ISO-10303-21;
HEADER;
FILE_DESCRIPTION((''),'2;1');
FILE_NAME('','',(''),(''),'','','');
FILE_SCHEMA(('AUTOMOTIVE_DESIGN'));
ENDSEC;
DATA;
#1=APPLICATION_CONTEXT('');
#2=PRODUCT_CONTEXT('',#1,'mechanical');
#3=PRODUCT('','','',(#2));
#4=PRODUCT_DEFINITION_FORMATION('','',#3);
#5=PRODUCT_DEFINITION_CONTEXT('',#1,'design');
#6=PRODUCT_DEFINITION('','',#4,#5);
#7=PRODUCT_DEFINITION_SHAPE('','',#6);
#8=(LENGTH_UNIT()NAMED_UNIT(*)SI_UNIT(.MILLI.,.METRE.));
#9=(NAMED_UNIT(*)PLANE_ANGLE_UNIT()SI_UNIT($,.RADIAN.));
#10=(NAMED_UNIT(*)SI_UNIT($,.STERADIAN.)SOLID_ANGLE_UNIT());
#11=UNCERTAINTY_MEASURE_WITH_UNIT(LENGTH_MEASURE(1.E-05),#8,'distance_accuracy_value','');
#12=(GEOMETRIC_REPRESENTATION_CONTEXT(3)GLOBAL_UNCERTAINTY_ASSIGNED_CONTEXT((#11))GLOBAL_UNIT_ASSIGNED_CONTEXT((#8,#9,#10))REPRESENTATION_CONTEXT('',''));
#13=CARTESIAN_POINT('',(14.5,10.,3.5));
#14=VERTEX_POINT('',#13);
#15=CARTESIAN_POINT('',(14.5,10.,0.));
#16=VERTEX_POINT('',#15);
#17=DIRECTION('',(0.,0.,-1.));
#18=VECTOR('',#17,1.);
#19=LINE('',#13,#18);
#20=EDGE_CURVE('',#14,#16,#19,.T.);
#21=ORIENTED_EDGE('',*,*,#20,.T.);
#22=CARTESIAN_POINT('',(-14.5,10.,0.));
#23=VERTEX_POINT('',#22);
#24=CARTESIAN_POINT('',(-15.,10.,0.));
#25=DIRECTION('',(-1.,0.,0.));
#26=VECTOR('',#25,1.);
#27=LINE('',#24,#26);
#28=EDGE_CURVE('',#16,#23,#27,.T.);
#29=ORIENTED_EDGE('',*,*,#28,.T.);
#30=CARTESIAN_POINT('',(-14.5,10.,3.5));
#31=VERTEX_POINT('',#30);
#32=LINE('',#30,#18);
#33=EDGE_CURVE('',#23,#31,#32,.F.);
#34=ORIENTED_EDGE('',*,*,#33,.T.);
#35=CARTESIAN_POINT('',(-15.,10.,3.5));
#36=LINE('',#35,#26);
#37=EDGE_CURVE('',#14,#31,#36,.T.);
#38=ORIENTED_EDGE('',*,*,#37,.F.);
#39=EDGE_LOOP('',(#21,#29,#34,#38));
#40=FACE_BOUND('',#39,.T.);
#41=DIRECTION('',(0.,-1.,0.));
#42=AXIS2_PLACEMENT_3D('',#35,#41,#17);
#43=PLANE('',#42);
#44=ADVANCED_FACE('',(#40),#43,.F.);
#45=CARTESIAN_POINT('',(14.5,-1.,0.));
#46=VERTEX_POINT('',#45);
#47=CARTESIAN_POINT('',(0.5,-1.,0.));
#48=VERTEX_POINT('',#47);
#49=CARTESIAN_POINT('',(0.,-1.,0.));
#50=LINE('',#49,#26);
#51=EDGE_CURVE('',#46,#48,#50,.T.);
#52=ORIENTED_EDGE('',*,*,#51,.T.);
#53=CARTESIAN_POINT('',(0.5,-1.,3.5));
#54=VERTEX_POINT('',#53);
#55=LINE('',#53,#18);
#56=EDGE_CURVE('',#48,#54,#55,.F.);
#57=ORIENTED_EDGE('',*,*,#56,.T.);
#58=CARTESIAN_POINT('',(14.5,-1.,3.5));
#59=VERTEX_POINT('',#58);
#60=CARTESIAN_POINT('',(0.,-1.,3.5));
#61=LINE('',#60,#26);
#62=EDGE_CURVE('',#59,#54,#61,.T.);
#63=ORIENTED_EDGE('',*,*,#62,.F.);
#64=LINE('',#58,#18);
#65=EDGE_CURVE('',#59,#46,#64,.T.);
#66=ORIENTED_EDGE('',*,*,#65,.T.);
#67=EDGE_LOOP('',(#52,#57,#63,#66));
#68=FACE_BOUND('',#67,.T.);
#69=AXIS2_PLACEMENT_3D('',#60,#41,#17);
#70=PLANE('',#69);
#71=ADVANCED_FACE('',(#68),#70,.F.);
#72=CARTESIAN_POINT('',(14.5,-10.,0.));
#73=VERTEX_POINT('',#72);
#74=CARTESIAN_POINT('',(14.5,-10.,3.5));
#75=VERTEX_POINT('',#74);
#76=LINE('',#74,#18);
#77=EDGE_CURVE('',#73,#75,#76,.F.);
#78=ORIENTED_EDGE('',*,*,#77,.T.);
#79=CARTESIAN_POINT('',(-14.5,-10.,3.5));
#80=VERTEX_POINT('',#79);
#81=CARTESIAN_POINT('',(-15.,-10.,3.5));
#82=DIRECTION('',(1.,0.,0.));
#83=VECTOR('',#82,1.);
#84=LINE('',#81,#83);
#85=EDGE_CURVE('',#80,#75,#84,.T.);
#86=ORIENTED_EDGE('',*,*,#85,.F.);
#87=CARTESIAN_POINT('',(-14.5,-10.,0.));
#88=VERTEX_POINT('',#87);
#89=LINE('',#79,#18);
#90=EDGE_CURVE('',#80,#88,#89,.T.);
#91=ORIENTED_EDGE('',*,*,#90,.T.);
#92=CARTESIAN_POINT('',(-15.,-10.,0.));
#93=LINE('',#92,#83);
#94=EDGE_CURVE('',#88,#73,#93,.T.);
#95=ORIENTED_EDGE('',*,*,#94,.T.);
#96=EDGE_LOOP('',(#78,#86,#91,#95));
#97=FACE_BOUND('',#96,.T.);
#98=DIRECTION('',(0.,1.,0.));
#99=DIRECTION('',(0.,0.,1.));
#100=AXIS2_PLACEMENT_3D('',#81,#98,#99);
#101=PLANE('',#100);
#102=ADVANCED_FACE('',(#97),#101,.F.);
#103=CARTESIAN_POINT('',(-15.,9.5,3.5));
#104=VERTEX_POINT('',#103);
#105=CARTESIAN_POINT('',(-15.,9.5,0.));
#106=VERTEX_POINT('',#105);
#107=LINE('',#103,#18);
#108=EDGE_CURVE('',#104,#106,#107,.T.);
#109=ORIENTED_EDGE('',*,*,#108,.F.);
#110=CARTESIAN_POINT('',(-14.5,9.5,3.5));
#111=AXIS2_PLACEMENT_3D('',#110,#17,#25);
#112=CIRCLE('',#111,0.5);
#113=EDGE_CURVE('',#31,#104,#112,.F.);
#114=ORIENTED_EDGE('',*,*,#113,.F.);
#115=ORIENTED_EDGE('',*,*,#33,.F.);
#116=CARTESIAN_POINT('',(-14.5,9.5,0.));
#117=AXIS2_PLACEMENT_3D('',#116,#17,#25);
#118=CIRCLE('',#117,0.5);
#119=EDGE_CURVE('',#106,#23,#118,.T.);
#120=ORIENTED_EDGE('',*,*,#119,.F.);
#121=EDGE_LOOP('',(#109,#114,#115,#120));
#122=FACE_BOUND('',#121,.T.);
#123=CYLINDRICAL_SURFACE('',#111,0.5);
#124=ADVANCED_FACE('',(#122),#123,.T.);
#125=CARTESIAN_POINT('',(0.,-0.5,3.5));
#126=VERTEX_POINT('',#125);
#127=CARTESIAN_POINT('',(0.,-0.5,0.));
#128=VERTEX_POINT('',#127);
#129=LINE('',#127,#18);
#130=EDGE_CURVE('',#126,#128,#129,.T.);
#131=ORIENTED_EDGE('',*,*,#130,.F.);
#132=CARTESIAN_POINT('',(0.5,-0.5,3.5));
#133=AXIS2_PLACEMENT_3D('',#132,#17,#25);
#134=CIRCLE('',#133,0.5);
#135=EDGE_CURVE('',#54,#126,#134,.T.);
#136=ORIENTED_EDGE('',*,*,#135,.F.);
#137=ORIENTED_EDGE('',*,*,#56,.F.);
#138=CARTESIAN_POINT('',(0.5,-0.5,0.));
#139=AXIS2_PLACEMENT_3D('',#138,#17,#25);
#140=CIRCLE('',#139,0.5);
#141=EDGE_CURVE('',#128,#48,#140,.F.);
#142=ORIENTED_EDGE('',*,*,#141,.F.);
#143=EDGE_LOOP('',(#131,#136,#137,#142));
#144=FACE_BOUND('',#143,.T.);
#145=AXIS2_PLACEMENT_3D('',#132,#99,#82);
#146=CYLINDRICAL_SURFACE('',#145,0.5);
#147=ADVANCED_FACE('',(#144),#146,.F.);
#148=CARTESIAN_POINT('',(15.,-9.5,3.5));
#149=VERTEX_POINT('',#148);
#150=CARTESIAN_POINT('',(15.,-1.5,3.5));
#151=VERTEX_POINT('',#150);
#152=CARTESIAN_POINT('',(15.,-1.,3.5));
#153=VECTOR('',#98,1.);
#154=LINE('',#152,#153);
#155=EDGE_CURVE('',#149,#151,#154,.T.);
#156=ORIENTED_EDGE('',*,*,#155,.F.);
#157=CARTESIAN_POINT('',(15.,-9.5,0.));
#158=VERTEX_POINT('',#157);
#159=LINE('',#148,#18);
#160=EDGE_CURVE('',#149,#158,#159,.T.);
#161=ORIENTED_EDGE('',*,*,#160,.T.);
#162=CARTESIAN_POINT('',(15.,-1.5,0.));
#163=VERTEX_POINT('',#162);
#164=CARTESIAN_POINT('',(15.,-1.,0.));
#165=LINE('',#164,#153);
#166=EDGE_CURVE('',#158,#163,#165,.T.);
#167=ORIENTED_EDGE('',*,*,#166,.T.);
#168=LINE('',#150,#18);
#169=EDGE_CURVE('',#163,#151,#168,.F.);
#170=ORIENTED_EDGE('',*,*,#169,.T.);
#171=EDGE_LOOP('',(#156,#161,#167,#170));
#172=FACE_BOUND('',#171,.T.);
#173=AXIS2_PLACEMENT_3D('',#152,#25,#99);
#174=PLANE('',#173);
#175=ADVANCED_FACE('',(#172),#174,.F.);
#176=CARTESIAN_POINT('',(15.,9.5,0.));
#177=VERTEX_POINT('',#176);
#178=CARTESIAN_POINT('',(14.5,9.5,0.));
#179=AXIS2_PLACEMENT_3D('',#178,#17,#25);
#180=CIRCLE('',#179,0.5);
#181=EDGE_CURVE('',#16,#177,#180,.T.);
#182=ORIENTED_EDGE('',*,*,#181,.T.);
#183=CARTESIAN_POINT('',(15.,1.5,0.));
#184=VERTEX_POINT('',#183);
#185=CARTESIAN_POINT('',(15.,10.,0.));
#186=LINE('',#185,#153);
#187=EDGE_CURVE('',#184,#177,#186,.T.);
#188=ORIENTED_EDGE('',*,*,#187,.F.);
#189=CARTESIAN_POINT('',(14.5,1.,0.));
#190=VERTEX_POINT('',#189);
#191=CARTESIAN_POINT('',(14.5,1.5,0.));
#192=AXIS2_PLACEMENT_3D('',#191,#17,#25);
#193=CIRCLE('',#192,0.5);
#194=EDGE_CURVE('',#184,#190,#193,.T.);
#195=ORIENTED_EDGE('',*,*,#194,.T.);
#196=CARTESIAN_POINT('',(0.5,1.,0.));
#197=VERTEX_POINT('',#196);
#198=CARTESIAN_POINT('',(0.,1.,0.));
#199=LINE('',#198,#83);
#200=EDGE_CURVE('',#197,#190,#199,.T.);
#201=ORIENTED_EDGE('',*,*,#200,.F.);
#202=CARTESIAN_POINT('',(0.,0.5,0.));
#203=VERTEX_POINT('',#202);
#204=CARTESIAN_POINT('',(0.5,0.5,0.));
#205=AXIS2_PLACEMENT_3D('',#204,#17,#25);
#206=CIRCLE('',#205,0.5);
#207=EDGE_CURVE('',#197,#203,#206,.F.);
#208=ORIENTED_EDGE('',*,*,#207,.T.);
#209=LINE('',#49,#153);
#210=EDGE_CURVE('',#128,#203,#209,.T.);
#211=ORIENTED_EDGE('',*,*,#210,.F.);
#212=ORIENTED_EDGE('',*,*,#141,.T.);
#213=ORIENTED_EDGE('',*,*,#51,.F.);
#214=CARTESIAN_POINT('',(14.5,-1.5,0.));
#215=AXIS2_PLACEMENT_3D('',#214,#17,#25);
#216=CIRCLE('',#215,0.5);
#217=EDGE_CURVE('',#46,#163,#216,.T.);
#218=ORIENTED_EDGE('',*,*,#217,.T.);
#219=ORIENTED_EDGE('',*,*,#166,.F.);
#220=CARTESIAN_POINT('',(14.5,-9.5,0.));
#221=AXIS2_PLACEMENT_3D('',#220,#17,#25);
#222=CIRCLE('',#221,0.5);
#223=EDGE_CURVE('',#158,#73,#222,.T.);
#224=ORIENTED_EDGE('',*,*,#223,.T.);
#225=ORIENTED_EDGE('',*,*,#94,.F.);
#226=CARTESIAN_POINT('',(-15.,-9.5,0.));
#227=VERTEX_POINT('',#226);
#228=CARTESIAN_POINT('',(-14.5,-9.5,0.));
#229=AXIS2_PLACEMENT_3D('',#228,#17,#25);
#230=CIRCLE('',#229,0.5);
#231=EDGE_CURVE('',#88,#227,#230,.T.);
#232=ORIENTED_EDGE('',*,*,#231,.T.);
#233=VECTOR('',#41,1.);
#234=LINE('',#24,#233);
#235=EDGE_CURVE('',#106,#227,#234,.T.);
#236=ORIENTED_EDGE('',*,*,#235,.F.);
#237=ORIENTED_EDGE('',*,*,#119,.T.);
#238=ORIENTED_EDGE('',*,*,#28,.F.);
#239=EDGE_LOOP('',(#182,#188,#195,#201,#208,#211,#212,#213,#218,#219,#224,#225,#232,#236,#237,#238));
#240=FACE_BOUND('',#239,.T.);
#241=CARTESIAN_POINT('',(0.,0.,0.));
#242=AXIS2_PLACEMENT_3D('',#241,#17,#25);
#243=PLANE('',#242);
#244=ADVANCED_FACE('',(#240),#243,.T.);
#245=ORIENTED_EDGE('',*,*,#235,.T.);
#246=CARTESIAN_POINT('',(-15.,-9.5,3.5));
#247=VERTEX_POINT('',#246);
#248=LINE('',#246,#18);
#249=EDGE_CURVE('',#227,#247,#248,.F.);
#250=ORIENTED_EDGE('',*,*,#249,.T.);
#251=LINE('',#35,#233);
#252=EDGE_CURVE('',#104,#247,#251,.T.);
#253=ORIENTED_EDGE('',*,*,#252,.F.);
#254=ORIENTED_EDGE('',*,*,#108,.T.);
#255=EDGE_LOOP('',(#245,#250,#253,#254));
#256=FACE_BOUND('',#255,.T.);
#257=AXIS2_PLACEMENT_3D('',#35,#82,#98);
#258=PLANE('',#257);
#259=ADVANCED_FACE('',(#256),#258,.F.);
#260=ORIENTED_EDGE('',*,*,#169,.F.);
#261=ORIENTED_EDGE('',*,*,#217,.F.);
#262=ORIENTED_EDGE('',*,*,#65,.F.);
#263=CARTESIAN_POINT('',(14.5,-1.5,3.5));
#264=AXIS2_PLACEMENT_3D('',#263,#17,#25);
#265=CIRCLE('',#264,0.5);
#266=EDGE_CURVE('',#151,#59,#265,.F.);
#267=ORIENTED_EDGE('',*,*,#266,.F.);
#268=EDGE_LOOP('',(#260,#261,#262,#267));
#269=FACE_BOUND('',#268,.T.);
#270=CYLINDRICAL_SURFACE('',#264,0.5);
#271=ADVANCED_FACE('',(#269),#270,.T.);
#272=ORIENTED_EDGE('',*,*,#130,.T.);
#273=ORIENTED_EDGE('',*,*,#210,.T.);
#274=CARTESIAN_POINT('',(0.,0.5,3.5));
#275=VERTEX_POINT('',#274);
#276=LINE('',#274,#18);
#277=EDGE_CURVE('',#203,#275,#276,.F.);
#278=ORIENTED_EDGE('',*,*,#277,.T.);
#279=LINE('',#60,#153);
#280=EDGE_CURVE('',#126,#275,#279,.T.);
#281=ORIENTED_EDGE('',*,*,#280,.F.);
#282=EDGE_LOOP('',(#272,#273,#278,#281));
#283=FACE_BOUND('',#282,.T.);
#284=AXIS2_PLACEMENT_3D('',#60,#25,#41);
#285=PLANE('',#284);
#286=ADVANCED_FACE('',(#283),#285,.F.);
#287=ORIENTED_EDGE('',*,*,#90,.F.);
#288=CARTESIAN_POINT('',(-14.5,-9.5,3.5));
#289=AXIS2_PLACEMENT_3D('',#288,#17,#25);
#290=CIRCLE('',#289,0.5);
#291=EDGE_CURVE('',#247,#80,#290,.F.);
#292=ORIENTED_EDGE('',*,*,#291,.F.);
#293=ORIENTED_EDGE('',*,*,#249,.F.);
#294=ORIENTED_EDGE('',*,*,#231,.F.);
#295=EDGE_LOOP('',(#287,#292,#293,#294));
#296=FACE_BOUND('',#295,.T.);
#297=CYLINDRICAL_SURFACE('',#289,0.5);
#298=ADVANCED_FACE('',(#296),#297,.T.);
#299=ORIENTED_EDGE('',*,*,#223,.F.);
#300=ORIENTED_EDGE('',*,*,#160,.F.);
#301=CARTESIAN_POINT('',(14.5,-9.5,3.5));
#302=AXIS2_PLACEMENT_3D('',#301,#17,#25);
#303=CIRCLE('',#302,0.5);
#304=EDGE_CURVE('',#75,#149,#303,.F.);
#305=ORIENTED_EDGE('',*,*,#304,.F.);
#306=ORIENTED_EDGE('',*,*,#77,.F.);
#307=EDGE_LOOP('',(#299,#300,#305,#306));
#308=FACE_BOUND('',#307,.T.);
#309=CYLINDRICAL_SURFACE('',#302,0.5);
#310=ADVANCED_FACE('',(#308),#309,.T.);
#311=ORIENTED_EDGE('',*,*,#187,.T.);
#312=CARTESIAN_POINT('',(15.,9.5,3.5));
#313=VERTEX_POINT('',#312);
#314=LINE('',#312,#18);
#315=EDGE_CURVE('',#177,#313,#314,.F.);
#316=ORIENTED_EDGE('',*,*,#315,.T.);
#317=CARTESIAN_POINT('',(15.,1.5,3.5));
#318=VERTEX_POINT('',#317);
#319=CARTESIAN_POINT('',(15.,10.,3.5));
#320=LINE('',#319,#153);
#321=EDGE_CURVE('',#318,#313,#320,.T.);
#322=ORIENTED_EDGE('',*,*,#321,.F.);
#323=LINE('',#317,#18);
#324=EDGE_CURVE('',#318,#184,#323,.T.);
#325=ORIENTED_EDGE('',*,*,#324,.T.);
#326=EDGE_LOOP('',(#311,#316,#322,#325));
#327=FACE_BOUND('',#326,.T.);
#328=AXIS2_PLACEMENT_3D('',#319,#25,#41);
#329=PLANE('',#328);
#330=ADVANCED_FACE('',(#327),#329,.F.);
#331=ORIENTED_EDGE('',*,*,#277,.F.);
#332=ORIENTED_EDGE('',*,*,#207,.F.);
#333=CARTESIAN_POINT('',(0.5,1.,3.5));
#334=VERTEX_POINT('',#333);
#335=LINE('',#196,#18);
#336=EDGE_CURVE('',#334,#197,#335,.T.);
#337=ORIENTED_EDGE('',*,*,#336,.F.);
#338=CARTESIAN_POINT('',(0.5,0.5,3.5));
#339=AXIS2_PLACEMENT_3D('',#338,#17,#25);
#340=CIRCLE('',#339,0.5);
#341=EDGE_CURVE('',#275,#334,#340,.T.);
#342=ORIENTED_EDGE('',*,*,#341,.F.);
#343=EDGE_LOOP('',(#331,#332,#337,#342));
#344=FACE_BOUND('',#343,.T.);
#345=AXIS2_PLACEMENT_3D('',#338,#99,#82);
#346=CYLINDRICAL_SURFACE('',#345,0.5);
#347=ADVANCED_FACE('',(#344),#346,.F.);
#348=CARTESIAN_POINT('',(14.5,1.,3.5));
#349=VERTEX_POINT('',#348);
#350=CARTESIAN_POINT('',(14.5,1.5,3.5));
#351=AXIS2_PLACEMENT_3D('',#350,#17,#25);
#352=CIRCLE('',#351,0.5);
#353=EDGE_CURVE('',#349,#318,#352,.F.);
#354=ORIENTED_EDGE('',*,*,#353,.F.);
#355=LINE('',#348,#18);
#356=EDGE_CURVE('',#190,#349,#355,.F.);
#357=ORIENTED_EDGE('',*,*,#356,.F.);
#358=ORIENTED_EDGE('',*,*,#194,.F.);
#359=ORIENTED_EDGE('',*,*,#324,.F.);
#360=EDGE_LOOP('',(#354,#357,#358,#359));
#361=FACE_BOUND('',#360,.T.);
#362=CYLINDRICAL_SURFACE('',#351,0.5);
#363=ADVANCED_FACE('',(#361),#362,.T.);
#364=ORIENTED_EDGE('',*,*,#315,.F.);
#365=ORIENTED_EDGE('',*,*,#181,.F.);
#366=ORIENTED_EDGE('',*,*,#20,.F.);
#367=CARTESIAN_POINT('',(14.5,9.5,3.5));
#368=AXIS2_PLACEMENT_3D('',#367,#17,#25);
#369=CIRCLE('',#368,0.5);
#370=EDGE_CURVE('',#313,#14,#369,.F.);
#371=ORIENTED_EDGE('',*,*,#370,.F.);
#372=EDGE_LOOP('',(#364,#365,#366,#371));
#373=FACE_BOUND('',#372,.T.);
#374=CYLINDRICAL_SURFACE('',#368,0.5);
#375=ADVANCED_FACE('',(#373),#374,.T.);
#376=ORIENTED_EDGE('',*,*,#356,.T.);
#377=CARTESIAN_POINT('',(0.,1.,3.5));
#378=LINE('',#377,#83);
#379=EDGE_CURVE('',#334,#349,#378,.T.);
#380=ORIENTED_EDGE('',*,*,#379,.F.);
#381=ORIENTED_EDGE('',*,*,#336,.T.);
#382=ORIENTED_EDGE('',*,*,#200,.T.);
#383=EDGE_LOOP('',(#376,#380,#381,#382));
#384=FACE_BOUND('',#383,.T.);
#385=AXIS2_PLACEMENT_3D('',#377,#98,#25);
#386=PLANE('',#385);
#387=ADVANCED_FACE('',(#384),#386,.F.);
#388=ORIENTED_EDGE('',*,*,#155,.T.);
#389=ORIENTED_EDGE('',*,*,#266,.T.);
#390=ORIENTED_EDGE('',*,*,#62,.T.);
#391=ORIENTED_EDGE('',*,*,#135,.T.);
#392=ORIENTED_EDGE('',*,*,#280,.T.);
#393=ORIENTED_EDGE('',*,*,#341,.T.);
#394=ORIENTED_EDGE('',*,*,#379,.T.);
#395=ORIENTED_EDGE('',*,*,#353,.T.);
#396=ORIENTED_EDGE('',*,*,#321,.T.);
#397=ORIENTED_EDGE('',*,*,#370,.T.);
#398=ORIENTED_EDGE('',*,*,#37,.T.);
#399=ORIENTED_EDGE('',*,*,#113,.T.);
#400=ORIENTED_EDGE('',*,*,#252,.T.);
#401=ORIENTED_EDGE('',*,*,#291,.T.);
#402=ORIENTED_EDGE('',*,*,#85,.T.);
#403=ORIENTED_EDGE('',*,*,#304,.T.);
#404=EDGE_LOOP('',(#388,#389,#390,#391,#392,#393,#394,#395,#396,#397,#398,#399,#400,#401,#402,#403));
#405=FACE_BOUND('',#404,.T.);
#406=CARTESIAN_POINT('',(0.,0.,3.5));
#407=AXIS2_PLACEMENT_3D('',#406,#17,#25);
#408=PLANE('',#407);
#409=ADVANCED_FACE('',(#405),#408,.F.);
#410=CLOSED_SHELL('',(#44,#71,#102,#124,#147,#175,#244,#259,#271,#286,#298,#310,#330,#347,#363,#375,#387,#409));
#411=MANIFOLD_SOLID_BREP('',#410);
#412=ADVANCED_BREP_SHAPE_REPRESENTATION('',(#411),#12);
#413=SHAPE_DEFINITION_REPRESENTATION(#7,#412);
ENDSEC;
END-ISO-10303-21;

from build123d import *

# Parameters (mm, degrees)
BOSS_EXTRUDE1_DEPTH = 3.5
FILLET1_R           = 0.5


with BuildPart() as part:
    # Sketch1 → Boss-Extrude1 (new body)
    with BuildSketch(Plane.XY):
        Polygon((15, -1), (15, -10), (-15, -10), (-15, 10), (15, 10), (15, 1), (0, 1), (0, -1), align=None)
    extrude(amount=BOSS_EXTRUDE1_DEPTH)

    # Fillet1
    fillet1_edges = [part.edges().sort_by_distance(p)[0] for p in [
        (-15, -10, 1.75),
        (-15, 10, 1.75),
        (15, 10, 1.75),
        (15, 1, 1.75),
        (0, 1, 1.75),
        (0, -1, 1.75),
        (15, -1, 1.75),
        (15, -10, 1.75),
    ]]
    fillet(fillet1_edges, radius=FILLET1_R)


solid = part.part
